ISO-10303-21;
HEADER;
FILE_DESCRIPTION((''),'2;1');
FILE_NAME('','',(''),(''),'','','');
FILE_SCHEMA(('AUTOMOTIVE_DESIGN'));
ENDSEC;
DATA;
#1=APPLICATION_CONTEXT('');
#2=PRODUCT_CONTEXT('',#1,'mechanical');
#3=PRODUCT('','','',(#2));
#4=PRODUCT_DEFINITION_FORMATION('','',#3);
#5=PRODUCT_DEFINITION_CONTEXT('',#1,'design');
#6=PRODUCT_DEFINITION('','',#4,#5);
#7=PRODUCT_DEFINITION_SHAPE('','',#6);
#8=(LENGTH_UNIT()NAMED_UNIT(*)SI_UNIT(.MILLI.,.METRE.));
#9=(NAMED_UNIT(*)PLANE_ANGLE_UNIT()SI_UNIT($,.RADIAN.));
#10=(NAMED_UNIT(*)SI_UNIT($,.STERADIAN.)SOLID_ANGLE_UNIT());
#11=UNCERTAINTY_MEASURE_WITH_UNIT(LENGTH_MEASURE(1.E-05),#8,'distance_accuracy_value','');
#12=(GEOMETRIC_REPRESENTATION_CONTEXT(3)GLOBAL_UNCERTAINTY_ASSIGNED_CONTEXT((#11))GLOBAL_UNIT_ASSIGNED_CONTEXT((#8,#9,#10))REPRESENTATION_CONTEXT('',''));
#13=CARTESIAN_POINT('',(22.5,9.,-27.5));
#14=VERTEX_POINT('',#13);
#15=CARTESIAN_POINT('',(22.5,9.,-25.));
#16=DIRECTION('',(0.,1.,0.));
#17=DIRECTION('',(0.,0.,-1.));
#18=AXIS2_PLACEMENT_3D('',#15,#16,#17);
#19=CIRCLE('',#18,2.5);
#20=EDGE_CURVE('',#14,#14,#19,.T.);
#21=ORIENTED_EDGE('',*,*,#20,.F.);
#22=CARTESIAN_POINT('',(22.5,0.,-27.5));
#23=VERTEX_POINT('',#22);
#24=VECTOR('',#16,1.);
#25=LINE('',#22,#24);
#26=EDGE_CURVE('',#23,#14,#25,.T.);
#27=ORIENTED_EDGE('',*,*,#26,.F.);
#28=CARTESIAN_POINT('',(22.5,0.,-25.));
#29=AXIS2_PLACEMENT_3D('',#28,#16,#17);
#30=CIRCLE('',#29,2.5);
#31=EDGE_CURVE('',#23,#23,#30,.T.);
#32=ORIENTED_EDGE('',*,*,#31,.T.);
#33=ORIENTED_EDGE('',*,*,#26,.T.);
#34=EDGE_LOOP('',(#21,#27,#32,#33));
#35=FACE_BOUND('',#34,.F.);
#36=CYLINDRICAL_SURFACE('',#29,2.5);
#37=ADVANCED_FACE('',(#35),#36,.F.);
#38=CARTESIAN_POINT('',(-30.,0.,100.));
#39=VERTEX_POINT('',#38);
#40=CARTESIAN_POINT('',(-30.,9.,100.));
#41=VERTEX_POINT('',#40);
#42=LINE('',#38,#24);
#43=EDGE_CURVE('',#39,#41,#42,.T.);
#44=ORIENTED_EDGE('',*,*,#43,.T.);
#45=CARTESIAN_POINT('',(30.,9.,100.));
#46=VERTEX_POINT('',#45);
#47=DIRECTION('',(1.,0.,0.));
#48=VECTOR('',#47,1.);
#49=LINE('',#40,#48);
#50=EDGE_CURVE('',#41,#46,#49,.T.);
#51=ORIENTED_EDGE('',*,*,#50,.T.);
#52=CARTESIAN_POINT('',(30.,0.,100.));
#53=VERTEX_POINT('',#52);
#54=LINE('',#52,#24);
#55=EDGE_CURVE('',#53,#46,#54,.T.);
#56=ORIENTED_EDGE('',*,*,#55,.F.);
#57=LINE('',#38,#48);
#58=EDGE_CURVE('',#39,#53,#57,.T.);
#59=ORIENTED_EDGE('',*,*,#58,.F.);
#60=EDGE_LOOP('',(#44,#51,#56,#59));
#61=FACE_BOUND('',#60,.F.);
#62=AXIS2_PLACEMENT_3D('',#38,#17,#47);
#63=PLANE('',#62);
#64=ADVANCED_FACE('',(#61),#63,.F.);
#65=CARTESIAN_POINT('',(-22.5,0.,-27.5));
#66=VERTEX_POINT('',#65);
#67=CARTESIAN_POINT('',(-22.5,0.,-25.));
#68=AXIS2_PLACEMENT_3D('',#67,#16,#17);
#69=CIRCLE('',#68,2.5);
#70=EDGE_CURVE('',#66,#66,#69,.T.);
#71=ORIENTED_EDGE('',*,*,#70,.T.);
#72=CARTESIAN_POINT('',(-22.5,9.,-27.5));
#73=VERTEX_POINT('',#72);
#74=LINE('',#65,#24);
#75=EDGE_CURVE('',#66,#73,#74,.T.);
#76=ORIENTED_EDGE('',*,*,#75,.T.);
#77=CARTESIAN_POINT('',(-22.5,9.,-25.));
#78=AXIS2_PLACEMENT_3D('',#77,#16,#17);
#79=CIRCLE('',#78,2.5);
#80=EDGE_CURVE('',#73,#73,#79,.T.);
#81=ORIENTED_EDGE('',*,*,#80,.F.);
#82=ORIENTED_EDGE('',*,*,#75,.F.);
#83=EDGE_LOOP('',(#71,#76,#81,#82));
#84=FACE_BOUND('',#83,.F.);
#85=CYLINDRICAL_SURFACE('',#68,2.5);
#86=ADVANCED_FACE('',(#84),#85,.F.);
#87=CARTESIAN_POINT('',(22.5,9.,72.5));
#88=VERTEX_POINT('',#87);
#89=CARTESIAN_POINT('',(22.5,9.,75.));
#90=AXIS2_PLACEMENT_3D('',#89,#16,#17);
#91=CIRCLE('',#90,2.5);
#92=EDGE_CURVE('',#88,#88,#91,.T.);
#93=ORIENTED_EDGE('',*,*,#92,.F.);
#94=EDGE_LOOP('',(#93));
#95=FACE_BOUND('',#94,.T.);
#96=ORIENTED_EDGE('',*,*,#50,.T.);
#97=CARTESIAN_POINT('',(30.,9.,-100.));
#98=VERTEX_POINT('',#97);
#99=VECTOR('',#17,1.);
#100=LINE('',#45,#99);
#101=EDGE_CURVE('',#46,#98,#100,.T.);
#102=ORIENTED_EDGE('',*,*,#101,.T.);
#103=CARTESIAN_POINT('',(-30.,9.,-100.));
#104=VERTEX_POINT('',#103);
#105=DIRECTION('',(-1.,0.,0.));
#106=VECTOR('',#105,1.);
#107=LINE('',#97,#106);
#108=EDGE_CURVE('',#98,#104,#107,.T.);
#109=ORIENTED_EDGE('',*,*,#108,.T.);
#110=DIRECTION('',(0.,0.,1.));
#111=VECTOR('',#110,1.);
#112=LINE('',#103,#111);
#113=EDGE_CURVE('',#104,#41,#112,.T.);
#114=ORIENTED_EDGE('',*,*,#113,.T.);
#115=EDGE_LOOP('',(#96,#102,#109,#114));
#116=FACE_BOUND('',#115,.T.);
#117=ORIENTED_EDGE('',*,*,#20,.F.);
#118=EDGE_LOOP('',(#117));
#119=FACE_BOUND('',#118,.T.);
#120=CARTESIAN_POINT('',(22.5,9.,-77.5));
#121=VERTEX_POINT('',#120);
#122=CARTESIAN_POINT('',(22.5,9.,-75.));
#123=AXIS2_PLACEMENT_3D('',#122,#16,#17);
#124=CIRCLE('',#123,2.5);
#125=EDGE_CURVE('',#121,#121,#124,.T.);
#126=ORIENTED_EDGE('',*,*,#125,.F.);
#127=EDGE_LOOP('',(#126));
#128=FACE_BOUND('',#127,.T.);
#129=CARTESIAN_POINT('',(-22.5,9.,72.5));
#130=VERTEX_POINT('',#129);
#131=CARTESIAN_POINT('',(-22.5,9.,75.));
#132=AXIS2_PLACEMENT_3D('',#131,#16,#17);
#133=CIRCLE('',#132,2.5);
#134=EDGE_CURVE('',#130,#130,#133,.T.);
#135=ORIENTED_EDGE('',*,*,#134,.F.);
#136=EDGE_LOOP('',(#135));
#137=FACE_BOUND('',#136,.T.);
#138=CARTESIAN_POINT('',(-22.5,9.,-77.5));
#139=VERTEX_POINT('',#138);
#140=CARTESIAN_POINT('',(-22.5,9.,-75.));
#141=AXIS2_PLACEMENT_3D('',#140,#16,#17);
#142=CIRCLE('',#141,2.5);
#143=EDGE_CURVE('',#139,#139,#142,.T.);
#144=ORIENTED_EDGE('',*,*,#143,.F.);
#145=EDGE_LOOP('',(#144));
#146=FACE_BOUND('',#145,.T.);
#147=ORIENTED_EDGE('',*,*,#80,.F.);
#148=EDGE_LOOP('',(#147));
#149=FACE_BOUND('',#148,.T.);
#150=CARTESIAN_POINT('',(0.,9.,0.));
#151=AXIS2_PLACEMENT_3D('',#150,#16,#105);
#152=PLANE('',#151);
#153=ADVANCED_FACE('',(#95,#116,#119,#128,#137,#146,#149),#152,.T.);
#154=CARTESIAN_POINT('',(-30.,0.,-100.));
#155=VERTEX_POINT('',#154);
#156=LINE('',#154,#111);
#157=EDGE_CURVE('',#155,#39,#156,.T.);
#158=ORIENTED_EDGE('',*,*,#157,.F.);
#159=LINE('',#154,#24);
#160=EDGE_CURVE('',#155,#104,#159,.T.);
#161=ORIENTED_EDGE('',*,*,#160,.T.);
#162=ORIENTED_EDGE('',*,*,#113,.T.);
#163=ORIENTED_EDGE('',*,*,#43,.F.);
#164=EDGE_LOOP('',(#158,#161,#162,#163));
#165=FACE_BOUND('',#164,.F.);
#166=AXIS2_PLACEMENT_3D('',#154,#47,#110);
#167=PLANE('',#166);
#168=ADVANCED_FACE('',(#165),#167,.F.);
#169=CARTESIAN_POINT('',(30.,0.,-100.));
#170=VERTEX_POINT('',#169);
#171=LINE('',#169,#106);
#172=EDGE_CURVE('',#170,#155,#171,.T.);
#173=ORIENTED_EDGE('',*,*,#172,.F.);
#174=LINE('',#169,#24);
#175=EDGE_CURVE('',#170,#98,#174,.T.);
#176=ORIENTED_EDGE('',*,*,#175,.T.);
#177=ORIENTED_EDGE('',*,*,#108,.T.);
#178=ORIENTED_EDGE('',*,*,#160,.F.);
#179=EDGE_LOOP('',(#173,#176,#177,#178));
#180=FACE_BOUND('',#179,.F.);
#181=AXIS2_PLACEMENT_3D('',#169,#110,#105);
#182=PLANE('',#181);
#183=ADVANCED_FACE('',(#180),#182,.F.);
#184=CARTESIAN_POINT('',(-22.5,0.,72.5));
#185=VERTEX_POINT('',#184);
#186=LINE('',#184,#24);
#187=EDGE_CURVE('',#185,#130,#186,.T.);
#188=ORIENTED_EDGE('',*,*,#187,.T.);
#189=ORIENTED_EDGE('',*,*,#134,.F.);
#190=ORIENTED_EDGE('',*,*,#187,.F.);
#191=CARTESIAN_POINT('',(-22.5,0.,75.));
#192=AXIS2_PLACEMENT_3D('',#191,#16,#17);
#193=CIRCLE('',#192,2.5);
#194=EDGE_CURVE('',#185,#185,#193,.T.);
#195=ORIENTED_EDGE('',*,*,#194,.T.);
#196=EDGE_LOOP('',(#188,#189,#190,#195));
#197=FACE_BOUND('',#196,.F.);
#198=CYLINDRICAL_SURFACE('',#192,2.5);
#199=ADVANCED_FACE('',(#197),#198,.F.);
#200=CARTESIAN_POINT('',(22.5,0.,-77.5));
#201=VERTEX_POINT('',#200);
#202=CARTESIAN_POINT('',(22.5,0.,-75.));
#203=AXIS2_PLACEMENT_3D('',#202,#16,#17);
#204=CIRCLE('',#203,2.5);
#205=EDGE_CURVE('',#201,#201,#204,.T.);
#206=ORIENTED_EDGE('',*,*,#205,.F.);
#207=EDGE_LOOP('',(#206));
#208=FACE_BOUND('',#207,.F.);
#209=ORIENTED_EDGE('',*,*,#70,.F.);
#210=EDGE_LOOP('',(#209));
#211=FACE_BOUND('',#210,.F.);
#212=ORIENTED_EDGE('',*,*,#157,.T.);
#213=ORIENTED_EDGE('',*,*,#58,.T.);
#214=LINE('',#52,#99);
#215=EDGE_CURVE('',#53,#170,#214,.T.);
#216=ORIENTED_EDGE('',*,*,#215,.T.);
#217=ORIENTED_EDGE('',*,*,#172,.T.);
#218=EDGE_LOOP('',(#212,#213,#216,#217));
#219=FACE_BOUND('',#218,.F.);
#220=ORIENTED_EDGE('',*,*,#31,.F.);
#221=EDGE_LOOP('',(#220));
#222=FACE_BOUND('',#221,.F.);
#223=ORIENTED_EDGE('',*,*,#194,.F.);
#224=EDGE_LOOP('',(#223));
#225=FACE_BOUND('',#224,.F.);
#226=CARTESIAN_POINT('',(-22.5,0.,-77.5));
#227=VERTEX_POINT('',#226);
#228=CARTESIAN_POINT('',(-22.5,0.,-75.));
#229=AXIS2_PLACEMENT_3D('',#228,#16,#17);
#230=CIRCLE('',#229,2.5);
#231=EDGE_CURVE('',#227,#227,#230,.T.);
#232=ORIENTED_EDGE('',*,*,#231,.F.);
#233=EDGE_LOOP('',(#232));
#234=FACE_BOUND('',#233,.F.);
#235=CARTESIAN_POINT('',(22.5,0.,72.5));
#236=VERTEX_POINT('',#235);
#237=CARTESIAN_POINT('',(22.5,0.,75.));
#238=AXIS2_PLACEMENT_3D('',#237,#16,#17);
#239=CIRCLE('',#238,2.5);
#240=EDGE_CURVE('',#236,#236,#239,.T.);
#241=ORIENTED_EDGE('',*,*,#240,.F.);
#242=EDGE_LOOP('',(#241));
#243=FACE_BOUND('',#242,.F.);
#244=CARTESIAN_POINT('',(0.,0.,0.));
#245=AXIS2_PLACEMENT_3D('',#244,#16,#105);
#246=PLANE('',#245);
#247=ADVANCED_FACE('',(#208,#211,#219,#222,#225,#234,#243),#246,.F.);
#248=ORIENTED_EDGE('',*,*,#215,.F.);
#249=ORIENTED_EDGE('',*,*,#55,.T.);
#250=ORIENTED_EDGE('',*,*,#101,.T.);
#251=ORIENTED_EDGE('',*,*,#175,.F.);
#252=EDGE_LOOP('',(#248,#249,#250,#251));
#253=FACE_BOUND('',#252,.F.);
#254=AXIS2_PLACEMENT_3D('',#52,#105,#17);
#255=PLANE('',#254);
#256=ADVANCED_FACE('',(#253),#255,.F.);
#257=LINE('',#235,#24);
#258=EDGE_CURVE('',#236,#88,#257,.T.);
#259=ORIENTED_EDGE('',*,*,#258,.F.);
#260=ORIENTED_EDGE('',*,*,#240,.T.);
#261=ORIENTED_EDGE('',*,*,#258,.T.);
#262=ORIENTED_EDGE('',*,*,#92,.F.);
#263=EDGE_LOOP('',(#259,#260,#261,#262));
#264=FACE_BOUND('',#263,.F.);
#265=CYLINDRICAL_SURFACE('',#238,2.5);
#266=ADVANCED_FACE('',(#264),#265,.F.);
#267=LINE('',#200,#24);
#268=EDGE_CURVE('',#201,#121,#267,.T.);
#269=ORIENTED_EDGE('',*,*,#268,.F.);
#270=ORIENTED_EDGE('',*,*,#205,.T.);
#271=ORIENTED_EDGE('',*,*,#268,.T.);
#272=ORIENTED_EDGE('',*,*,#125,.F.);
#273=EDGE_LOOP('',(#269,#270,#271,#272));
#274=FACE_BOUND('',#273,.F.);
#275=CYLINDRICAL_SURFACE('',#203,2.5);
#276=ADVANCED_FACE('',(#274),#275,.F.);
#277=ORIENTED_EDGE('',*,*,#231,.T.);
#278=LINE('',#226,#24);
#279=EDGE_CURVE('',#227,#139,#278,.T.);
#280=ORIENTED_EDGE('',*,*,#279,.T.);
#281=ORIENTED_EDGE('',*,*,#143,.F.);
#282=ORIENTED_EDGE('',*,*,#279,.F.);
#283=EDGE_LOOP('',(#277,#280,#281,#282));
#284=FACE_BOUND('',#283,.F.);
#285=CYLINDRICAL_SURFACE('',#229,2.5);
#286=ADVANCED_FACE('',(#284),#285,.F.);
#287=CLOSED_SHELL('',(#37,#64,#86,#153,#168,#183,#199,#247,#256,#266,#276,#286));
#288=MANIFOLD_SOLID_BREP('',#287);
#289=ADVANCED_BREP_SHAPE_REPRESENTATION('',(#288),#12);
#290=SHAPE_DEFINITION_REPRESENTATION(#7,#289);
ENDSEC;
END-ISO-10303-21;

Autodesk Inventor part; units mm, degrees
ref_plane "YZ Plane" through (0, 0, 0) normal (1, 0, 0) x (0, 1, 0)
ref_plane "XZ Plane" through (0, 0, 0) normal (0, 1, 0) x (-1, 0, 0)
ref_plane "XY Plane" through (0, 0, 0) normal (0, 0, 1) x (1, 0, 0)
sketch "Boceto1" plane through (0, 0, 0) normal (0, 1, 0) x (-1, 0, 0)
  line L0 (30, 100) -> (-30, 100)
  line L1 (-30, 100) -> (-30, -100)
  line L2 (-30, -100) -> (30, -100)
  line L3 (30, -100) -> (30, 100)
  point P0 (0, 0)
  point P1 (30, 0)
  point P2 (0, 100)
  dimension "d0" = 60
  dimension "d1" = 200
extrude "Extrusión1" add sketch "Boceto1" along normal blind 9
sketch "Boceto2" plane through (0, 0, 0) normal (0, -1, 0) x (1, 0, 0)
  line L0 (-30, 100) -> (30, 100) projected
  line L1 (-30, -100) -> (-30, 100) projected
  line L2 (30, -100) -> (-30, -100) projected
  line L3 (30, 100) -> (30, -100) projected
  point P0 (0, 0)
  point P1 (22.5, 75)
  point P2 (-22.5, 75)
  point P3 (-22.5, -25)
  point P4 (22.5, -25)
  point P5 (-22.5, -75)
  point P6 (22.5, -75)
  dimension "d5" = 50
  dimension "d6" = 45
  dimension "d7" = 7.5
  dimension "d8" = 100
  dimension "d9" = 25
hole "Agujero1" at (22.5, 0, 75) at (-22.5, 0, 75) at (-22.5, 0, -25) at (22.5, 0, -25) at (-22.5, 0, -75) at (22.5, 0, -75) direction (0, 1, 0) diameter 5 depth 11
properties part number "Base" material "Abedul"
